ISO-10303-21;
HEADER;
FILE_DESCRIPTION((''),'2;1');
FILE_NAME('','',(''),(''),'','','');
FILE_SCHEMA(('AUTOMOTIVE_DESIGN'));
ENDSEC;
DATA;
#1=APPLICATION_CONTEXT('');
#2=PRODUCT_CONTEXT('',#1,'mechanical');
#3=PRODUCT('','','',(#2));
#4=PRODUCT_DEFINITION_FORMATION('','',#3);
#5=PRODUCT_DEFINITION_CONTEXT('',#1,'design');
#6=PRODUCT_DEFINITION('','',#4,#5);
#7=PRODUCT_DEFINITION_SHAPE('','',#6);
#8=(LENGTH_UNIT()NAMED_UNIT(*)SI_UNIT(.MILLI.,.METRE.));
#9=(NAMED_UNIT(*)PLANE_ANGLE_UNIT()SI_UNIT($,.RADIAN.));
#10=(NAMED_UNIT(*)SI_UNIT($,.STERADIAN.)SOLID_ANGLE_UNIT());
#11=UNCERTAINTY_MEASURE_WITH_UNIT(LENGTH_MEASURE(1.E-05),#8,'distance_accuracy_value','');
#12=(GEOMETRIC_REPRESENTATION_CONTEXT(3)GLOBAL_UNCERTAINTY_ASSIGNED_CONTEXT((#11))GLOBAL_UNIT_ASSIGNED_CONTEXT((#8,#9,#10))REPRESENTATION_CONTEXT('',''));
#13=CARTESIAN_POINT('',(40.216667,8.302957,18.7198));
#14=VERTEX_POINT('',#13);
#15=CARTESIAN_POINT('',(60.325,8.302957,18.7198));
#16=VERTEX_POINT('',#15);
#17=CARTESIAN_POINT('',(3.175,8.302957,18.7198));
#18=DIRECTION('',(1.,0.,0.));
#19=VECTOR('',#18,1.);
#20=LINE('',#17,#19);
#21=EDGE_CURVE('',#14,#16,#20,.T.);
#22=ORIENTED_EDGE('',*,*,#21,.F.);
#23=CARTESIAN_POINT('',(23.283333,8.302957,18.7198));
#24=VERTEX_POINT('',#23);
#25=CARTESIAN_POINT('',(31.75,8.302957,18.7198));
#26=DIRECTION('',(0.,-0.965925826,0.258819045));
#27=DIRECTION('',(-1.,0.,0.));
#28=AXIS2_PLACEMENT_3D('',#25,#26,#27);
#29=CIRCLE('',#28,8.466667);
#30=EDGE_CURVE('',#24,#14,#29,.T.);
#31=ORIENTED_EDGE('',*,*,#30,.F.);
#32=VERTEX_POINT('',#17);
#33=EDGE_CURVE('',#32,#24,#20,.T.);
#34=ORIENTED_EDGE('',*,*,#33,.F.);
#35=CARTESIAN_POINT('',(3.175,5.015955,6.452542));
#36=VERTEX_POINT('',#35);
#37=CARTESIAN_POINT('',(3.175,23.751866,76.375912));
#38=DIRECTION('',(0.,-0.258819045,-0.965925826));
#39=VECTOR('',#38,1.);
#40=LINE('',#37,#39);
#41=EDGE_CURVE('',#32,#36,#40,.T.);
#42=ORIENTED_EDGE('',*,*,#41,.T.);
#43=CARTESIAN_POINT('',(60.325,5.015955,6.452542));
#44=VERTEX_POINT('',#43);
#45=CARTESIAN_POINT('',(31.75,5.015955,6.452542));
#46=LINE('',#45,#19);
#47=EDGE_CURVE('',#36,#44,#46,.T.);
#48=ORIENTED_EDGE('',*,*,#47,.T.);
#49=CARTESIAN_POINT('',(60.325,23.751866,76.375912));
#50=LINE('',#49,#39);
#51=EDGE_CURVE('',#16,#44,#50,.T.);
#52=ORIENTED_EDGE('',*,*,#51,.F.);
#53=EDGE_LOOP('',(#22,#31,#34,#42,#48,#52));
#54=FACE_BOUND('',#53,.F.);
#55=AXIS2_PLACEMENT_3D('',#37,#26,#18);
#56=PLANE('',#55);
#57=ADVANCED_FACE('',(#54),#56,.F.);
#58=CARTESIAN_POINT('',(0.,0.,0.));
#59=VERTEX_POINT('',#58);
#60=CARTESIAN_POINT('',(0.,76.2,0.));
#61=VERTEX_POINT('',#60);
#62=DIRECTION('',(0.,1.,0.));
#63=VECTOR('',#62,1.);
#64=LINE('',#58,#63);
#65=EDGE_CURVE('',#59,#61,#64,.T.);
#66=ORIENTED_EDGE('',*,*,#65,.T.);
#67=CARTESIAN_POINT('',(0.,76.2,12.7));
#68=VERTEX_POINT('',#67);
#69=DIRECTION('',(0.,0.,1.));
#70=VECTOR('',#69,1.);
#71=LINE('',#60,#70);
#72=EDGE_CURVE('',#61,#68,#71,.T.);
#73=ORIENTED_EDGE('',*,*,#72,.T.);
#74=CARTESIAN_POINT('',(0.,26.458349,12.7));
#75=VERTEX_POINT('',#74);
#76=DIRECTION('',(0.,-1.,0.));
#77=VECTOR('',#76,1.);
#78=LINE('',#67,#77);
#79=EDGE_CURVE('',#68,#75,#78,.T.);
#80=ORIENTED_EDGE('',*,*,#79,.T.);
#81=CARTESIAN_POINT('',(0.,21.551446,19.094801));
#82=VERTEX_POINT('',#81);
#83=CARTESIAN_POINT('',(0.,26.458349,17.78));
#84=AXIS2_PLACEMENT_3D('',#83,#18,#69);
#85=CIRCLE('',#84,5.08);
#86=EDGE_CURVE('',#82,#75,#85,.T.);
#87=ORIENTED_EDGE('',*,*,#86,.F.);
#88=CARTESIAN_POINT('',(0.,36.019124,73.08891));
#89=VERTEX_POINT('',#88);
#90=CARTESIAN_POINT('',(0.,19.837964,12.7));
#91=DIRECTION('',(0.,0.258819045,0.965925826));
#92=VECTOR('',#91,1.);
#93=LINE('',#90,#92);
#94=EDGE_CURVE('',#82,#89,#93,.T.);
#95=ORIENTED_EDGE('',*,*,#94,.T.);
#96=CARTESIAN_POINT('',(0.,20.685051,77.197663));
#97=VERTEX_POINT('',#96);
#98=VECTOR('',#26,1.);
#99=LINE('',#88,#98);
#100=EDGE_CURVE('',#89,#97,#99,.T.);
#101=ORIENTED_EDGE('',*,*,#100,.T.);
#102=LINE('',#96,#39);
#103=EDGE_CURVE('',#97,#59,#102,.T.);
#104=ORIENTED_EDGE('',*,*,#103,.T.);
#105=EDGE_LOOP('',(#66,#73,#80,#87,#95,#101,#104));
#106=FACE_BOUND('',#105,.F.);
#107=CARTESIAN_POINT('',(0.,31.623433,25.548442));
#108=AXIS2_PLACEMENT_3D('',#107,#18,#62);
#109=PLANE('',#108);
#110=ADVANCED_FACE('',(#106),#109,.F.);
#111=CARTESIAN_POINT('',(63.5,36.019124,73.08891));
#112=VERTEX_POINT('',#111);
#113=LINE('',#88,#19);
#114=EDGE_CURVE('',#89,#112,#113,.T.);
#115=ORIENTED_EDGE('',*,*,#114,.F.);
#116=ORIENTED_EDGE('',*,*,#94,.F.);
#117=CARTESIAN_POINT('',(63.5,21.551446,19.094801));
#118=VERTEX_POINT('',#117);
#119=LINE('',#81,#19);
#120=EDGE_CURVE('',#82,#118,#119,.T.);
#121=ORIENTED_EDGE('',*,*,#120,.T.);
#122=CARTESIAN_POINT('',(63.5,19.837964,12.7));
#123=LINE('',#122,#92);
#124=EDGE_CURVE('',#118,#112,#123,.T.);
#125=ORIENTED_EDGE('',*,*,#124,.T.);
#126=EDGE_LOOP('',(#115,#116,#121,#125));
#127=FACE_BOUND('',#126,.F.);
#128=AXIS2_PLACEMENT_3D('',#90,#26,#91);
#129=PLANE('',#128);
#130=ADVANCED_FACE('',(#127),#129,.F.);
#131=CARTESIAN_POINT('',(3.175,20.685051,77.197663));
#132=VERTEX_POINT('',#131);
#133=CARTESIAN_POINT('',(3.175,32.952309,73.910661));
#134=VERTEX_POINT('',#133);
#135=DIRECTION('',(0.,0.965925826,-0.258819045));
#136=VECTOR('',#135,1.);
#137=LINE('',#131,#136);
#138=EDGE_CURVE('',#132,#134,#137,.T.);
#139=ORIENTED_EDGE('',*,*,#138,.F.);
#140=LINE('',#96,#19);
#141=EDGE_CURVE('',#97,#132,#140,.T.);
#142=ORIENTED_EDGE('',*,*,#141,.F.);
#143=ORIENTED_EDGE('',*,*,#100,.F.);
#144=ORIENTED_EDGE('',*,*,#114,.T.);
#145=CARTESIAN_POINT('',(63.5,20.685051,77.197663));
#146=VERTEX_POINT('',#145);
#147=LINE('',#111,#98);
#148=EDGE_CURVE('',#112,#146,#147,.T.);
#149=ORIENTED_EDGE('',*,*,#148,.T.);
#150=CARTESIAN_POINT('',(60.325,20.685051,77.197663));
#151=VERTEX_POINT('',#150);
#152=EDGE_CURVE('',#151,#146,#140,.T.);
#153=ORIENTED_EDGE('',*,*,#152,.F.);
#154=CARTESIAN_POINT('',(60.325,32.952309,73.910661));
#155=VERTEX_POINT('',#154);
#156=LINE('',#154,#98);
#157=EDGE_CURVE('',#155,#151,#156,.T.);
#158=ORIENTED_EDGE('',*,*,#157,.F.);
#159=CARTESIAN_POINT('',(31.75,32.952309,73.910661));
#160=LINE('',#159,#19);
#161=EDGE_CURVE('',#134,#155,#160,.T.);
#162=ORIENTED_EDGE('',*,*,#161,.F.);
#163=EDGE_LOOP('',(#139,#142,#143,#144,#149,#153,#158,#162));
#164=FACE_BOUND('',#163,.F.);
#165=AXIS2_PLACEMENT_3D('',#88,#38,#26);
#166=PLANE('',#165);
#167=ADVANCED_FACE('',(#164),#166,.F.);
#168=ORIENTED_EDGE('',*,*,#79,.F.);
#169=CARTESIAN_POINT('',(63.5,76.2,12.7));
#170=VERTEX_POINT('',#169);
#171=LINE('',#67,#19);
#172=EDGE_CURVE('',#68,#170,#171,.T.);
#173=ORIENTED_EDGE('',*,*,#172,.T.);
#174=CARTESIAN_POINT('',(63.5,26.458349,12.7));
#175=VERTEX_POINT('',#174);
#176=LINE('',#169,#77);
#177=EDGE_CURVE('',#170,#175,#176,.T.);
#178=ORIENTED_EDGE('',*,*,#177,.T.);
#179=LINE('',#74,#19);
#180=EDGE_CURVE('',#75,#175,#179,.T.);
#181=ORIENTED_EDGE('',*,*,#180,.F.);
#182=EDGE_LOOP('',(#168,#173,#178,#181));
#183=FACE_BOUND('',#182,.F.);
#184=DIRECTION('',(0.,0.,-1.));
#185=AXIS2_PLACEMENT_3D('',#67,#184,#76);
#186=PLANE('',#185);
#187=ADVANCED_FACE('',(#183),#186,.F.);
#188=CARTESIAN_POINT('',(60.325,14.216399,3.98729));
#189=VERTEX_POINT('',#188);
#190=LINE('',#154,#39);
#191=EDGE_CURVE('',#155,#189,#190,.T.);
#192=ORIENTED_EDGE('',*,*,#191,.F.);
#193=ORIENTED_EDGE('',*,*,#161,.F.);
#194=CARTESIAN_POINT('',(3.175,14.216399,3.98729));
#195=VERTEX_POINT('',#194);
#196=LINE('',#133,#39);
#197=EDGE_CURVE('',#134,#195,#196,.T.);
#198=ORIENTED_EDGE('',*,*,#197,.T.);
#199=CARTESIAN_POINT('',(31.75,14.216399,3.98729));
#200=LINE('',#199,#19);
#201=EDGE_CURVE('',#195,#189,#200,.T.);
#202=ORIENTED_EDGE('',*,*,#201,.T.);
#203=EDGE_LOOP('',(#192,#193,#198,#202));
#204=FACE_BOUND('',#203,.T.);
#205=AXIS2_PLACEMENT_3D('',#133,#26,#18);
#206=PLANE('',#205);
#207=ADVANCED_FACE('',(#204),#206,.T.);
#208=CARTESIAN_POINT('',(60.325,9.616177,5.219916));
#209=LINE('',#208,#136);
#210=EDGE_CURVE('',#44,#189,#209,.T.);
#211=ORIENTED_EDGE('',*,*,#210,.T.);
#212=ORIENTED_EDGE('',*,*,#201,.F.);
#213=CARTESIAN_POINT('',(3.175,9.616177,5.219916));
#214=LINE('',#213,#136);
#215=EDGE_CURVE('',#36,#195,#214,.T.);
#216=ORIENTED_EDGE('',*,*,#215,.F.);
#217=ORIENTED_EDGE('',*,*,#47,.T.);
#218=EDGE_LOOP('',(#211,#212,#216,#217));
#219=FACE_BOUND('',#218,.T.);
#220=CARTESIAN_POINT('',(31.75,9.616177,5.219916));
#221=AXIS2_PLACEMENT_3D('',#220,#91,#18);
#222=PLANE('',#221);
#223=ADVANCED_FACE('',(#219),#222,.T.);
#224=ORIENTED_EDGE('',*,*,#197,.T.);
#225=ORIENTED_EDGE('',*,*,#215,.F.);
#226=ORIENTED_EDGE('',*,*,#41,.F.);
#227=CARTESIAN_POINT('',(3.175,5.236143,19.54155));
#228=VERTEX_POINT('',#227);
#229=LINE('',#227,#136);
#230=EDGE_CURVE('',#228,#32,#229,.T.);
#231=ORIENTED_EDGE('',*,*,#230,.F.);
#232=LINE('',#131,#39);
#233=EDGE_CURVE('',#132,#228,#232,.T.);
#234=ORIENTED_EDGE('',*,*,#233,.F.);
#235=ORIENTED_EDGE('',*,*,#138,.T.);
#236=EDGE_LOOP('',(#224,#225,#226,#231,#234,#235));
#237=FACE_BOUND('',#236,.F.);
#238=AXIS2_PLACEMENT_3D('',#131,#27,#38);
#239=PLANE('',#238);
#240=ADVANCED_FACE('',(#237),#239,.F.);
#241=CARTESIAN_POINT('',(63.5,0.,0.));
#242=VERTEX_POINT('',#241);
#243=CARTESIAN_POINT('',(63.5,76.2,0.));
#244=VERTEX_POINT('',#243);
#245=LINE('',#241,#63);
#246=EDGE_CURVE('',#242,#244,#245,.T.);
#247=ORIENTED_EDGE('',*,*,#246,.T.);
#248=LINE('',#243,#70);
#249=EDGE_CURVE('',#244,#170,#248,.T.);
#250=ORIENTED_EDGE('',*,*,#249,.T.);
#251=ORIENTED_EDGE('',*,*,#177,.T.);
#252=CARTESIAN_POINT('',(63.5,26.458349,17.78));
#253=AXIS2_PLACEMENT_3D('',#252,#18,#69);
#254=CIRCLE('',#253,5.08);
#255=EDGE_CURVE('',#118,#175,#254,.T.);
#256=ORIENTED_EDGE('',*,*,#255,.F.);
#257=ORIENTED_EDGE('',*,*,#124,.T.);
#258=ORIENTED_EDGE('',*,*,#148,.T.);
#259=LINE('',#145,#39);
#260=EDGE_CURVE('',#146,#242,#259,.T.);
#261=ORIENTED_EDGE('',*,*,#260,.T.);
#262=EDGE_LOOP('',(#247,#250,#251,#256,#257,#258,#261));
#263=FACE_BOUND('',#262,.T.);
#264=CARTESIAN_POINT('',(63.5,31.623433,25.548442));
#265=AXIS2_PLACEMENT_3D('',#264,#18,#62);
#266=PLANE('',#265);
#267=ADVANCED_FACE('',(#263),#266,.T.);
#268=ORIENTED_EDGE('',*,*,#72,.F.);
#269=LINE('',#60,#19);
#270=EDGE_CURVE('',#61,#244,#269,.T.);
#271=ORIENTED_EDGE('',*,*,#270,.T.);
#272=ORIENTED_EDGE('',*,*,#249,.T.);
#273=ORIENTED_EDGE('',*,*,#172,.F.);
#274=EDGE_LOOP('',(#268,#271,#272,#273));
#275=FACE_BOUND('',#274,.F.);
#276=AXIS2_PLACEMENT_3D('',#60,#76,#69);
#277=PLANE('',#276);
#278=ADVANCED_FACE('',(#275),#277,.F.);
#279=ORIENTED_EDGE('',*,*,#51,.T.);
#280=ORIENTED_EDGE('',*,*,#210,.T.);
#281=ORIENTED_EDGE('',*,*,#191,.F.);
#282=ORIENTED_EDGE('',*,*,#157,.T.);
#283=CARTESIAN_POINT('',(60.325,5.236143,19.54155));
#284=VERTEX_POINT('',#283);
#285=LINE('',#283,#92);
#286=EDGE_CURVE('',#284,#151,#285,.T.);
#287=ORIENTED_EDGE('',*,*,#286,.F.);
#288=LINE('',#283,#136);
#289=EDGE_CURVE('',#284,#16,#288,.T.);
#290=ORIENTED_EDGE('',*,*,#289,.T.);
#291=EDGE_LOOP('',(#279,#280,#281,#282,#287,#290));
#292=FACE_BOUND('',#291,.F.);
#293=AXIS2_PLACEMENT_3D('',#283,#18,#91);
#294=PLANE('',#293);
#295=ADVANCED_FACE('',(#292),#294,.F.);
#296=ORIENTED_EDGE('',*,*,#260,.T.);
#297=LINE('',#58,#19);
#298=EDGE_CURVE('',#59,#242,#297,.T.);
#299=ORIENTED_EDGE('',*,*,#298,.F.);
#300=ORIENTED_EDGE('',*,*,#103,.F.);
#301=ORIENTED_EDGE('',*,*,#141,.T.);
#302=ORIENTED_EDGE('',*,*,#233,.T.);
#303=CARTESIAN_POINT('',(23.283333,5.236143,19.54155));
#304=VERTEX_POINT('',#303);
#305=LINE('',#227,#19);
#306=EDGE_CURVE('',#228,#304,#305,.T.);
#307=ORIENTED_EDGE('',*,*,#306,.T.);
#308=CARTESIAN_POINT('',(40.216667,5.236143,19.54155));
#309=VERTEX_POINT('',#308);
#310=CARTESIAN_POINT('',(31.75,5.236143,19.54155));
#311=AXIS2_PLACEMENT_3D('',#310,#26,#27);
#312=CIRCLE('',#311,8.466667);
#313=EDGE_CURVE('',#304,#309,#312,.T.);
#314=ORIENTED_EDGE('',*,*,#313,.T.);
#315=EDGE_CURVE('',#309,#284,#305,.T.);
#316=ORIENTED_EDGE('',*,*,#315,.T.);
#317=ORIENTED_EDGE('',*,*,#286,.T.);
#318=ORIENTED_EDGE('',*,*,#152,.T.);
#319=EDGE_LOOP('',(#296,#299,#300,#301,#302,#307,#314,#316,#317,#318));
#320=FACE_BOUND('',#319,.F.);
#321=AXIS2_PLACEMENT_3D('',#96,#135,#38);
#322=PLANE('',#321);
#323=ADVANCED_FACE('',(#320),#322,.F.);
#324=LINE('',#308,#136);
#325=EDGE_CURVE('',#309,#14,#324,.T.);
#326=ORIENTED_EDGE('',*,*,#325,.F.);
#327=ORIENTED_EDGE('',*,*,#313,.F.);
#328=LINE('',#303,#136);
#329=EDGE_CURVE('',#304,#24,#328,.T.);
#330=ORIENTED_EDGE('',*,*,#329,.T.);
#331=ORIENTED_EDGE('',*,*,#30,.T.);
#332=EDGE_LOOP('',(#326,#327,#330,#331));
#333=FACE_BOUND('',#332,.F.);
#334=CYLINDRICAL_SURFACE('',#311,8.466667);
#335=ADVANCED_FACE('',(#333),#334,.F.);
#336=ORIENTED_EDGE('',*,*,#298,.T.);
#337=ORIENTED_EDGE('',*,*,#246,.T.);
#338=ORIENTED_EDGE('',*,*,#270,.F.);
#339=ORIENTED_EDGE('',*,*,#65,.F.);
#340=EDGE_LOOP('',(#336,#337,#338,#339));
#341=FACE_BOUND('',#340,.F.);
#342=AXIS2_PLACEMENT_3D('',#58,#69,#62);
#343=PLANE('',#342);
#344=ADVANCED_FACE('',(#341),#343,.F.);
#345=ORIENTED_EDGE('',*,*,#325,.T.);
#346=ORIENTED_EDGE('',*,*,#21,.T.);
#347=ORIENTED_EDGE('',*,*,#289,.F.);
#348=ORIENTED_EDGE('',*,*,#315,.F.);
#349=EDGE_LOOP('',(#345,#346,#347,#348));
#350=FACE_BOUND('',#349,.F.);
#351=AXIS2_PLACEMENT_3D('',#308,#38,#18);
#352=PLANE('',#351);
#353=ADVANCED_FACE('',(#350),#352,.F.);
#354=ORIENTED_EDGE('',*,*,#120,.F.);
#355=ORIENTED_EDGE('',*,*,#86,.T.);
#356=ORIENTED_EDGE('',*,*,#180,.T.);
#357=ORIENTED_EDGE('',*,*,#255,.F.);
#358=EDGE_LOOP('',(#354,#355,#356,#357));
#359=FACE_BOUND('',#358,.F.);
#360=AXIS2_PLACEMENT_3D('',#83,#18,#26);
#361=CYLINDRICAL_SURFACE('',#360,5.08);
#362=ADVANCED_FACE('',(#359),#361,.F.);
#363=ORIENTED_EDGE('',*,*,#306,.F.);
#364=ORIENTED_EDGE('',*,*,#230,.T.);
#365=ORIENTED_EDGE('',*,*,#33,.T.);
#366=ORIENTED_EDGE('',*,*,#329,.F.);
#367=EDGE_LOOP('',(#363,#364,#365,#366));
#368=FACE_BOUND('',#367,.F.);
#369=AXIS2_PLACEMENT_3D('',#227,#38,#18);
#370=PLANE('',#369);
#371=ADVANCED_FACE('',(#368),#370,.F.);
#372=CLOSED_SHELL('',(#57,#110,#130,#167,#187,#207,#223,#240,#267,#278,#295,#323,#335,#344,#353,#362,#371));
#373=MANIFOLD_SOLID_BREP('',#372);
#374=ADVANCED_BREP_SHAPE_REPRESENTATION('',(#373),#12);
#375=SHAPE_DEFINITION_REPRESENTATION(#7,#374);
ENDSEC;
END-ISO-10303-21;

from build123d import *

# Parameters (mm, degrees)
F1_DEPTH = 63.5
F2_W     = 57.15
F2_H     = 9.525
F3_DEPTH = 72.39
F5_DEPTH = 3.175
F6_R     = 5.08


with BuildPart() as f1:
    # F0 (on Right) → F1 (new body)
    with BuildSketch(Plane.YZ):
        Polygon((20.6850513497, 77.1976625943), (0, 0), (76.2, 0), (76.2, 12.7), (19.8379641079, 12.7), (36.0191238421, 73.0889102533), align=None)
    extrude(amount=F1_DEPTH)

    # F2 (on face) → F3 (cut)
    with BuildSketch(Plane(origin=(0, 20.6850513497, 77.1976625943), x_dir=(1, 0, 0), z_dir=(0, 0.2588190451, 0.9659258263))):
        with Locations((31.75, 7.9375)):
            Rectangle(F2_W, F2_H)
    extrude(amount=-F3_DEPTH, mode=Mode.SUBTRACT)

    # F4 (on face) → F5 (cut, through all)
    with BuildSketch(Plane(origin=(0, 0, 0), x_dir=(1, 0, 0), z_dir=(0, -0.9659258263, 0.2588190451))):
        Polygon((60.325, 79.9209012672), (3.175, 79.9209012672), (3.175, 20.2309012672), (23.2833333333, 20.2309012672), (40.2166666667, 20.2309012672), (60.325, 20.2309012672), align=None)
        with BuildLine():
            Line((40.2166666667, 20.2309012672), (23.2833333333, 20.2309012672))
            ThreePointArc((23.2833333333, 20.2309012672), (31.75, 11.7642346006), (40.2166666667, 20.2309012672))
        make_face()
    extrude(amount=-F5_DEPTH, mode=Mode.SUBTRACT)

    # F6
    f6_edges = [f1.edges().sort_by_distance(p)[0] for p in [
        (31.75, 19.837964, 12.7),
    ]]
    fillet(f6_edges, radius=F6_R)


solid = f1.part
